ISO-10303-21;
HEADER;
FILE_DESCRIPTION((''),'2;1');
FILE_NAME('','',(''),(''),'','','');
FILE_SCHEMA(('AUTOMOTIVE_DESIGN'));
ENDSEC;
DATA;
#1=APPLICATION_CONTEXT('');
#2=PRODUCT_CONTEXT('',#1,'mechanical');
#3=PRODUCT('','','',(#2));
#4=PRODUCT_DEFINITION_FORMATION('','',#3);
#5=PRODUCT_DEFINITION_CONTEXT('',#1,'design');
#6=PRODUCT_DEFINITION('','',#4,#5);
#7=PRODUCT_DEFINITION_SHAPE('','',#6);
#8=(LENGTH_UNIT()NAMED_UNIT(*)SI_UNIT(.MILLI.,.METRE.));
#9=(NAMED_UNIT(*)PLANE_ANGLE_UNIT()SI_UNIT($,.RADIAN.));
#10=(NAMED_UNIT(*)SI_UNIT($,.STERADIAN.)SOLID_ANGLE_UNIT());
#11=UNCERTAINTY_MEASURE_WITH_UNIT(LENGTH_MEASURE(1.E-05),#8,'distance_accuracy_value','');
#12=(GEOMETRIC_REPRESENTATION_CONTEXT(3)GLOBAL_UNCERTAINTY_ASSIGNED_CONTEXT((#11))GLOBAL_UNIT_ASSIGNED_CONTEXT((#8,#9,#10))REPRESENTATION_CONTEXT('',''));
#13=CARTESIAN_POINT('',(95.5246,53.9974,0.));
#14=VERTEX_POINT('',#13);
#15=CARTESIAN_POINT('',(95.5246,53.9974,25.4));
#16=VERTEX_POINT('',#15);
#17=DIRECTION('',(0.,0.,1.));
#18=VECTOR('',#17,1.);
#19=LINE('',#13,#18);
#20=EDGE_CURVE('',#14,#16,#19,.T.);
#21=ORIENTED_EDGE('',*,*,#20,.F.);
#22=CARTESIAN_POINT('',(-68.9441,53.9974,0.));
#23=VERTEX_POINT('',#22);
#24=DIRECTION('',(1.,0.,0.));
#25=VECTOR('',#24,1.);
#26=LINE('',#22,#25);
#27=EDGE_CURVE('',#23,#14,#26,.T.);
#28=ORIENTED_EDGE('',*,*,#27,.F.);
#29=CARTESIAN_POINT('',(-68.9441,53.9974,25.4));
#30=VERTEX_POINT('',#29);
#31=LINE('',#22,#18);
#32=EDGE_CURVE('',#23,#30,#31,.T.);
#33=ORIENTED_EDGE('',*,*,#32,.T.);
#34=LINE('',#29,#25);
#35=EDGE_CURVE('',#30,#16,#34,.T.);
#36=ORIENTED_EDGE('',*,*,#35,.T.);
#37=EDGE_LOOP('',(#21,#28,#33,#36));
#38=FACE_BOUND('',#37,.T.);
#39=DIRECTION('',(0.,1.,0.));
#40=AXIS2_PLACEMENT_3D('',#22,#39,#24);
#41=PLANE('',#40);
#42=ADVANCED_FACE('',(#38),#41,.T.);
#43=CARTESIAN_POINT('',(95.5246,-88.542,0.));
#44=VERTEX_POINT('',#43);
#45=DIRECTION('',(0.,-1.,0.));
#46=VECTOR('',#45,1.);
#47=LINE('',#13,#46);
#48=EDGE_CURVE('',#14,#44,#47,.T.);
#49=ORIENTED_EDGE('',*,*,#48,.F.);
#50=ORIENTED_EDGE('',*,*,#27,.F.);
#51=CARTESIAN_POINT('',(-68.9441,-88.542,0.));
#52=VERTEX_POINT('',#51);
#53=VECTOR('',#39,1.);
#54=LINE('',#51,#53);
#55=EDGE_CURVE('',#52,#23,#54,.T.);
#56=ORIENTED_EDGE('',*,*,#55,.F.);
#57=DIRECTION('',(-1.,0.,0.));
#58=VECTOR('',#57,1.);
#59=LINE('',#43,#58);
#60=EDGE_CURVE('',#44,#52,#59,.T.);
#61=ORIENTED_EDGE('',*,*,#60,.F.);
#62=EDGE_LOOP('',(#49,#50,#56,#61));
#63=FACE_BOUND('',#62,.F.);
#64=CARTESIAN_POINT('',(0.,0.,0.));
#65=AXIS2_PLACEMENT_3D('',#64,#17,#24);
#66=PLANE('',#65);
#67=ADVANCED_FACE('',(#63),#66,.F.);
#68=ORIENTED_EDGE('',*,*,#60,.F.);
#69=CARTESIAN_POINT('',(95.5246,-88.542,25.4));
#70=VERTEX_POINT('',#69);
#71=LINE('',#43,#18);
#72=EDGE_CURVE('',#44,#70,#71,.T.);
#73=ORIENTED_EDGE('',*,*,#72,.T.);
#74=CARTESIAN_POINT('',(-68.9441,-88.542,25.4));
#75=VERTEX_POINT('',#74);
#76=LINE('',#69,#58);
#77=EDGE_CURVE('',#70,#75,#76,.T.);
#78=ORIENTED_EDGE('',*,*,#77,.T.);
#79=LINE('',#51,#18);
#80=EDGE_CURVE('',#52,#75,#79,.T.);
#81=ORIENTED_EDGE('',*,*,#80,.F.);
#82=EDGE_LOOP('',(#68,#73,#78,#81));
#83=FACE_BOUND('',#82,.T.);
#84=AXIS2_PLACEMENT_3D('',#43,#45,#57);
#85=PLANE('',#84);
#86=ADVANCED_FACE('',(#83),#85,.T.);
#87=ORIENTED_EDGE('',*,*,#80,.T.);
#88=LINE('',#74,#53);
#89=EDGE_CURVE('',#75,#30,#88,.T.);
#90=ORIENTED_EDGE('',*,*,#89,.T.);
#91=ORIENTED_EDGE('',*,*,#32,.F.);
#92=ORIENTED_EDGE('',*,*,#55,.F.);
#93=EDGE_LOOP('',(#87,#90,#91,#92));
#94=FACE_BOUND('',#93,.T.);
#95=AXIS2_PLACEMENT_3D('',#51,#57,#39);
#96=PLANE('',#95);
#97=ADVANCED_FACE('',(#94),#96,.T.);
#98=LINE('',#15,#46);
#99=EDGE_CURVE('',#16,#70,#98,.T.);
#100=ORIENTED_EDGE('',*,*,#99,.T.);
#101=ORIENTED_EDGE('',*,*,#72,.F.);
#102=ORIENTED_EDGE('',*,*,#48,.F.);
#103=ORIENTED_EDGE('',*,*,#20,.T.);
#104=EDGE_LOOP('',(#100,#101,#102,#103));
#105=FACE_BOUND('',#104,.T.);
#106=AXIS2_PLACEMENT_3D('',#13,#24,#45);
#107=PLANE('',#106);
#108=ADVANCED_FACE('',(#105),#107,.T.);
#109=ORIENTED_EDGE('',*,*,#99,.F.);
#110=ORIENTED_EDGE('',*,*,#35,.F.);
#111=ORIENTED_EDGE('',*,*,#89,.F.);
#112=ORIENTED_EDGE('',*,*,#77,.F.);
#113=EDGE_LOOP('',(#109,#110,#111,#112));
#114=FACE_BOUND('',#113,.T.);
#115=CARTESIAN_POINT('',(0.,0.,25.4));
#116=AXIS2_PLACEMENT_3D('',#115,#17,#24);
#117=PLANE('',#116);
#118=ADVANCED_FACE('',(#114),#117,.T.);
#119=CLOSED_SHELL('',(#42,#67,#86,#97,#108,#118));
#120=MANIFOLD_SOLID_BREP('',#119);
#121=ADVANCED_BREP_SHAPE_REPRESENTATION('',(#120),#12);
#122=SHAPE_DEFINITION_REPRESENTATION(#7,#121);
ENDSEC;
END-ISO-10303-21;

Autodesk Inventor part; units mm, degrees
ref_plane "YZ Plane" through (0, 0, 0) normal (1, 0, 0) x (0, 1, 0)
ref_plane "XZ Plane" through (0, 0, 0) normal (0, 1, 0) x (-1, 0, 0)
ref_plane "XY Plane" through (0, 0, 0) normal (0, 0, 1) x (1, 0, 0)
ref_plane "Work Plane1" through (0, 0, 0) normal (0, 0, 1) x (1, 0, 0)
sketch "Sketch1" plane through (0, 0, 0) normal (0, 0, 1) x (1, 0, 0)
  line L0 (-68.9441, 53.9974) -> (95.5246, 53.9974)
  line L1 (95.5246, 53.9974) -> (95.5246, -88.542)
  line L2 (95.5246, -88.542) -> (-68.9441, -88.542)
  line L3 (-68.9441, -88.542) -> (-68.9441, 53.9974)
  point P0 (0, 0)
extrude "Extrusion1" add sketch "Sketch1" along normal blind 25.4
properties part number "fake"
